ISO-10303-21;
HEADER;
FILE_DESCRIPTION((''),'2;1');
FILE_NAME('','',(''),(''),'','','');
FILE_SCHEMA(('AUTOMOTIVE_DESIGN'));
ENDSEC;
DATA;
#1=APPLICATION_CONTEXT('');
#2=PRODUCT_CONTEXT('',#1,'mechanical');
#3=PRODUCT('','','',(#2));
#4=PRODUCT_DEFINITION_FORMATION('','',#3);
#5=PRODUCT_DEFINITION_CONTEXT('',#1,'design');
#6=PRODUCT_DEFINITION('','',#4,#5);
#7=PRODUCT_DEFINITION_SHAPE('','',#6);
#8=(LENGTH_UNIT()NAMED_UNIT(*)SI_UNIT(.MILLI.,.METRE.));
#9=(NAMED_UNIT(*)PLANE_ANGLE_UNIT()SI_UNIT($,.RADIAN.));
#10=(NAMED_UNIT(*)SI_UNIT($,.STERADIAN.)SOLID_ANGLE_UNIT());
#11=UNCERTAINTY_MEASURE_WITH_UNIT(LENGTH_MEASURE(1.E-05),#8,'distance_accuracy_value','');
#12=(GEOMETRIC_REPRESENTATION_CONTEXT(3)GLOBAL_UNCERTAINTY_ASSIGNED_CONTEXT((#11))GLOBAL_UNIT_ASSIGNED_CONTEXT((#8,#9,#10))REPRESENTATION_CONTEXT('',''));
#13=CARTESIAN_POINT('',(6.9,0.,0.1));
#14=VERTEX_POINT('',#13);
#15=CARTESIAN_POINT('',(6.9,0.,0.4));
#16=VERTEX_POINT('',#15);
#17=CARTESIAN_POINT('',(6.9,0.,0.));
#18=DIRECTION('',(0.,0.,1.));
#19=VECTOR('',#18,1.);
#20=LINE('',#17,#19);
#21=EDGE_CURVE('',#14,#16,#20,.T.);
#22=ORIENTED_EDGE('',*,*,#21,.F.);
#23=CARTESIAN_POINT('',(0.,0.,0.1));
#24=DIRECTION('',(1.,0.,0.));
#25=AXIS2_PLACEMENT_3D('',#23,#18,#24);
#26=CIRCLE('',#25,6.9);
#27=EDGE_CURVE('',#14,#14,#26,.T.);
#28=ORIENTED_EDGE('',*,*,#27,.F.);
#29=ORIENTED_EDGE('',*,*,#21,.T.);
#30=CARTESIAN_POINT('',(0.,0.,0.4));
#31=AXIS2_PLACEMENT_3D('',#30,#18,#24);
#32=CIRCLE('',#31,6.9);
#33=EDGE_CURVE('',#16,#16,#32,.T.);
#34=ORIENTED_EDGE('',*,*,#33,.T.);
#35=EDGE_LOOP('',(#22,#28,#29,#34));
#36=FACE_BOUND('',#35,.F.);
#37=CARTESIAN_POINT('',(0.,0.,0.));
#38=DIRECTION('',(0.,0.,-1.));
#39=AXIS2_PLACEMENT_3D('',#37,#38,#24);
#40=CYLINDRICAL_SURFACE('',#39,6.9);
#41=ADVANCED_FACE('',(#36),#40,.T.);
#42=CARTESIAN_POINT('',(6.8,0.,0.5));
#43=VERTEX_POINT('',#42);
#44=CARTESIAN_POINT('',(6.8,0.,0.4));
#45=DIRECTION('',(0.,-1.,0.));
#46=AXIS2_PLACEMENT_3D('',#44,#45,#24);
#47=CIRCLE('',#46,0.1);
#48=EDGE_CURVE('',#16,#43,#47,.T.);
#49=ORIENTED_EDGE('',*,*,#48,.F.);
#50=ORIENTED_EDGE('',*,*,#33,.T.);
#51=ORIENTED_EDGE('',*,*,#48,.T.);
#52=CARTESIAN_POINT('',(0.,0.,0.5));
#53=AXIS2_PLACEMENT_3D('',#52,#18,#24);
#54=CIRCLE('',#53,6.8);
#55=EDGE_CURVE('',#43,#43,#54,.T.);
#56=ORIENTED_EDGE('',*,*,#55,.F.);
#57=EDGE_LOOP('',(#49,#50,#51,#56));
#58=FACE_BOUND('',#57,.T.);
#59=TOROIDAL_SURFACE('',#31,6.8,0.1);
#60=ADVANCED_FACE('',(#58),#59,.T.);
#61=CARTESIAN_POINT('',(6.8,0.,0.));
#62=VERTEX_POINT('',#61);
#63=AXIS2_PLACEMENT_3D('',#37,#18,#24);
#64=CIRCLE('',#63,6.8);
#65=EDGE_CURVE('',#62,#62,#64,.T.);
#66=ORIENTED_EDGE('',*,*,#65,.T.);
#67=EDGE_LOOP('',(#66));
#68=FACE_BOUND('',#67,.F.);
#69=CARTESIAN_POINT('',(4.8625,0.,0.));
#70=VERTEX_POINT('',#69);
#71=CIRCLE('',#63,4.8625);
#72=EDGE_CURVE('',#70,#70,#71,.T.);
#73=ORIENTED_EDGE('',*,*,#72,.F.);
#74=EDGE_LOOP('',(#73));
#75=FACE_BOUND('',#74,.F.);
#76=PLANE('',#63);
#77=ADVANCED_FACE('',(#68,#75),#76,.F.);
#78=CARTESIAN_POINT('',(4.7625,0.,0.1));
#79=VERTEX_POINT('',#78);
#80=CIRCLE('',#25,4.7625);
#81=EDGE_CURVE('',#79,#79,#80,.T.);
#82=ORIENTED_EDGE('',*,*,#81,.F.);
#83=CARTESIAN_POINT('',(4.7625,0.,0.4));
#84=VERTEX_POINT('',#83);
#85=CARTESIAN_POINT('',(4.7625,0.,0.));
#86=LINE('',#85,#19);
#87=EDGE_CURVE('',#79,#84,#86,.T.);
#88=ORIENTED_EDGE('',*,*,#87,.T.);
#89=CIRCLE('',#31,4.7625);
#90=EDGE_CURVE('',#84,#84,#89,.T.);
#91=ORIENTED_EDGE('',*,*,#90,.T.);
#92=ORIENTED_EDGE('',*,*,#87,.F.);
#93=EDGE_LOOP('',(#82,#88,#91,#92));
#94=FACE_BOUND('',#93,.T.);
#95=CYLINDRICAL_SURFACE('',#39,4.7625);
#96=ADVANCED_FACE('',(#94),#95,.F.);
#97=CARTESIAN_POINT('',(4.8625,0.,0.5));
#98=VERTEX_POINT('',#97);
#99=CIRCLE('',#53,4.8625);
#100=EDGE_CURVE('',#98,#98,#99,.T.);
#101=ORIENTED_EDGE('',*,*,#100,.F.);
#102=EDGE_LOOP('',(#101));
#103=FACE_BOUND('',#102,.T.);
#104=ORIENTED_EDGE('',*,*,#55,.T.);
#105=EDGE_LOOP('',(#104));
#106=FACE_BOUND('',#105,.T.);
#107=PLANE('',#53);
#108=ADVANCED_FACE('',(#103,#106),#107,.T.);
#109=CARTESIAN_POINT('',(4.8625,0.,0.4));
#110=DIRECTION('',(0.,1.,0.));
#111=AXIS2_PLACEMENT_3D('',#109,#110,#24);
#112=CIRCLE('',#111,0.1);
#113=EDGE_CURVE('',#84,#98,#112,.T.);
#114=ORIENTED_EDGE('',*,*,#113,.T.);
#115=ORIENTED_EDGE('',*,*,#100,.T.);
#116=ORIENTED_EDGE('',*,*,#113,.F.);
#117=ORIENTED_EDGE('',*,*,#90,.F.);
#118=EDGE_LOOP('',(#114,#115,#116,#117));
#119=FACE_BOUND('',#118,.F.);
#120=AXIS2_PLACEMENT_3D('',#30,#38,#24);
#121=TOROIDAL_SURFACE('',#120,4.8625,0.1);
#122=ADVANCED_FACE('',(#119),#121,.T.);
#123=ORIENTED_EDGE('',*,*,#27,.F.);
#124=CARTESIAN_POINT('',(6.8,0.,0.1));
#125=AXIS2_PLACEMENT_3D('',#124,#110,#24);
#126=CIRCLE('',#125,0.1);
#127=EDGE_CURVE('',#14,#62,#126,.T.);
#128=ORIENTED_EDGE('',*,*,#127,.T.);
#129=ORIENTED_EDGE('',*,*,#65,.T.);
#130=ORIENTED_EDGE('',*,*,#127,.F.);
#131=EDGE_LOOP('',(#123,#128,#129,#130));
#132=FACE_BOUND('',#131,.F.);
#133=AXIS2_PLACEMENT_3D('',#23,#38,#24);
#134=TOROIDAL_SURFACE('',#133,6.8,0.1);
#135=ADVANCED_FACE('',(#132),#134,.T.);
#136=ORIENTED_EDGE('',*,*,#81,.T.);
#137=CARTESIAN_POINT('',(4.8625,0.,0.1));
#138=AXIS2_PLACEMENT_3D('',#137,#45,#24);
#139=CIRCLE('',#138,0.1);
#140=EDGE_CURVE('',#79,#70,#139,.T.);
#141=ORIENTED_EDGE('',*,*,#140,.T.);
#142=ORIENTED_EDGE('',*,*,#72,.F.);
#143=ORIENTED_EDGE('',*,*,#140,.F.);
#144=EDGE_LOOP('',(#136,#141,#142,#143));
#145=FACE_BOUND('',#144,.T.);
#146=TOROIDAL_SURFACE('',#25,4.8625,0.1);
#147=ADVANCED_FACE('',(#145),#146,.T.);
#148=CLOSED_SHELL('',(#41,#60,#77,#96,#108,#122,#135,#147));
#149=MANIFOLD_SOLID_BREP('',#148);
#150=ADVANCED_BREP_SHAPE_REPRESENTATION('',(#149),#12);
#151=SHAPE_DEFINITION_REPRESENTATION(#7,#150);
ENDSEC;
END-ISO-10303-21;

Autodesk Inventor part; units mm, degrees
ref_plane "YZ Plane" through (0, 0, 0) normal (1, 0, 0) x (0, 1, 0)
ref_plane "XZ Plane" through (0, 0, 0) normal (0, 1, 0) x (-1, 0, 0)
ref_plane "XY Plane" through (0, 0, 0) normal (0, 0, 1) x (1, 0, 0)
sketch "Sketch1" plane through (0, 0, 0) normal (0, 0, 1) x (1, 0, 0)
  circle A0 centre (0, 0) radius 6.9
  circle A1 centre (0, 0) radius 4.7625
  dimension "d0" = 13.8
  dimension "d1" = 9.525
extrude "Extrusion1" add sketch "Sketch1" along normal blind 0.5
fillet "Fillet1" radius 0.1 4 edges at (-6.9, 0, 0.5) (-6.9, 0, 0) (-4.7625, 0, 0.5) (-4.7625, 0, 0)
properties part number "InputJack_Washer"
